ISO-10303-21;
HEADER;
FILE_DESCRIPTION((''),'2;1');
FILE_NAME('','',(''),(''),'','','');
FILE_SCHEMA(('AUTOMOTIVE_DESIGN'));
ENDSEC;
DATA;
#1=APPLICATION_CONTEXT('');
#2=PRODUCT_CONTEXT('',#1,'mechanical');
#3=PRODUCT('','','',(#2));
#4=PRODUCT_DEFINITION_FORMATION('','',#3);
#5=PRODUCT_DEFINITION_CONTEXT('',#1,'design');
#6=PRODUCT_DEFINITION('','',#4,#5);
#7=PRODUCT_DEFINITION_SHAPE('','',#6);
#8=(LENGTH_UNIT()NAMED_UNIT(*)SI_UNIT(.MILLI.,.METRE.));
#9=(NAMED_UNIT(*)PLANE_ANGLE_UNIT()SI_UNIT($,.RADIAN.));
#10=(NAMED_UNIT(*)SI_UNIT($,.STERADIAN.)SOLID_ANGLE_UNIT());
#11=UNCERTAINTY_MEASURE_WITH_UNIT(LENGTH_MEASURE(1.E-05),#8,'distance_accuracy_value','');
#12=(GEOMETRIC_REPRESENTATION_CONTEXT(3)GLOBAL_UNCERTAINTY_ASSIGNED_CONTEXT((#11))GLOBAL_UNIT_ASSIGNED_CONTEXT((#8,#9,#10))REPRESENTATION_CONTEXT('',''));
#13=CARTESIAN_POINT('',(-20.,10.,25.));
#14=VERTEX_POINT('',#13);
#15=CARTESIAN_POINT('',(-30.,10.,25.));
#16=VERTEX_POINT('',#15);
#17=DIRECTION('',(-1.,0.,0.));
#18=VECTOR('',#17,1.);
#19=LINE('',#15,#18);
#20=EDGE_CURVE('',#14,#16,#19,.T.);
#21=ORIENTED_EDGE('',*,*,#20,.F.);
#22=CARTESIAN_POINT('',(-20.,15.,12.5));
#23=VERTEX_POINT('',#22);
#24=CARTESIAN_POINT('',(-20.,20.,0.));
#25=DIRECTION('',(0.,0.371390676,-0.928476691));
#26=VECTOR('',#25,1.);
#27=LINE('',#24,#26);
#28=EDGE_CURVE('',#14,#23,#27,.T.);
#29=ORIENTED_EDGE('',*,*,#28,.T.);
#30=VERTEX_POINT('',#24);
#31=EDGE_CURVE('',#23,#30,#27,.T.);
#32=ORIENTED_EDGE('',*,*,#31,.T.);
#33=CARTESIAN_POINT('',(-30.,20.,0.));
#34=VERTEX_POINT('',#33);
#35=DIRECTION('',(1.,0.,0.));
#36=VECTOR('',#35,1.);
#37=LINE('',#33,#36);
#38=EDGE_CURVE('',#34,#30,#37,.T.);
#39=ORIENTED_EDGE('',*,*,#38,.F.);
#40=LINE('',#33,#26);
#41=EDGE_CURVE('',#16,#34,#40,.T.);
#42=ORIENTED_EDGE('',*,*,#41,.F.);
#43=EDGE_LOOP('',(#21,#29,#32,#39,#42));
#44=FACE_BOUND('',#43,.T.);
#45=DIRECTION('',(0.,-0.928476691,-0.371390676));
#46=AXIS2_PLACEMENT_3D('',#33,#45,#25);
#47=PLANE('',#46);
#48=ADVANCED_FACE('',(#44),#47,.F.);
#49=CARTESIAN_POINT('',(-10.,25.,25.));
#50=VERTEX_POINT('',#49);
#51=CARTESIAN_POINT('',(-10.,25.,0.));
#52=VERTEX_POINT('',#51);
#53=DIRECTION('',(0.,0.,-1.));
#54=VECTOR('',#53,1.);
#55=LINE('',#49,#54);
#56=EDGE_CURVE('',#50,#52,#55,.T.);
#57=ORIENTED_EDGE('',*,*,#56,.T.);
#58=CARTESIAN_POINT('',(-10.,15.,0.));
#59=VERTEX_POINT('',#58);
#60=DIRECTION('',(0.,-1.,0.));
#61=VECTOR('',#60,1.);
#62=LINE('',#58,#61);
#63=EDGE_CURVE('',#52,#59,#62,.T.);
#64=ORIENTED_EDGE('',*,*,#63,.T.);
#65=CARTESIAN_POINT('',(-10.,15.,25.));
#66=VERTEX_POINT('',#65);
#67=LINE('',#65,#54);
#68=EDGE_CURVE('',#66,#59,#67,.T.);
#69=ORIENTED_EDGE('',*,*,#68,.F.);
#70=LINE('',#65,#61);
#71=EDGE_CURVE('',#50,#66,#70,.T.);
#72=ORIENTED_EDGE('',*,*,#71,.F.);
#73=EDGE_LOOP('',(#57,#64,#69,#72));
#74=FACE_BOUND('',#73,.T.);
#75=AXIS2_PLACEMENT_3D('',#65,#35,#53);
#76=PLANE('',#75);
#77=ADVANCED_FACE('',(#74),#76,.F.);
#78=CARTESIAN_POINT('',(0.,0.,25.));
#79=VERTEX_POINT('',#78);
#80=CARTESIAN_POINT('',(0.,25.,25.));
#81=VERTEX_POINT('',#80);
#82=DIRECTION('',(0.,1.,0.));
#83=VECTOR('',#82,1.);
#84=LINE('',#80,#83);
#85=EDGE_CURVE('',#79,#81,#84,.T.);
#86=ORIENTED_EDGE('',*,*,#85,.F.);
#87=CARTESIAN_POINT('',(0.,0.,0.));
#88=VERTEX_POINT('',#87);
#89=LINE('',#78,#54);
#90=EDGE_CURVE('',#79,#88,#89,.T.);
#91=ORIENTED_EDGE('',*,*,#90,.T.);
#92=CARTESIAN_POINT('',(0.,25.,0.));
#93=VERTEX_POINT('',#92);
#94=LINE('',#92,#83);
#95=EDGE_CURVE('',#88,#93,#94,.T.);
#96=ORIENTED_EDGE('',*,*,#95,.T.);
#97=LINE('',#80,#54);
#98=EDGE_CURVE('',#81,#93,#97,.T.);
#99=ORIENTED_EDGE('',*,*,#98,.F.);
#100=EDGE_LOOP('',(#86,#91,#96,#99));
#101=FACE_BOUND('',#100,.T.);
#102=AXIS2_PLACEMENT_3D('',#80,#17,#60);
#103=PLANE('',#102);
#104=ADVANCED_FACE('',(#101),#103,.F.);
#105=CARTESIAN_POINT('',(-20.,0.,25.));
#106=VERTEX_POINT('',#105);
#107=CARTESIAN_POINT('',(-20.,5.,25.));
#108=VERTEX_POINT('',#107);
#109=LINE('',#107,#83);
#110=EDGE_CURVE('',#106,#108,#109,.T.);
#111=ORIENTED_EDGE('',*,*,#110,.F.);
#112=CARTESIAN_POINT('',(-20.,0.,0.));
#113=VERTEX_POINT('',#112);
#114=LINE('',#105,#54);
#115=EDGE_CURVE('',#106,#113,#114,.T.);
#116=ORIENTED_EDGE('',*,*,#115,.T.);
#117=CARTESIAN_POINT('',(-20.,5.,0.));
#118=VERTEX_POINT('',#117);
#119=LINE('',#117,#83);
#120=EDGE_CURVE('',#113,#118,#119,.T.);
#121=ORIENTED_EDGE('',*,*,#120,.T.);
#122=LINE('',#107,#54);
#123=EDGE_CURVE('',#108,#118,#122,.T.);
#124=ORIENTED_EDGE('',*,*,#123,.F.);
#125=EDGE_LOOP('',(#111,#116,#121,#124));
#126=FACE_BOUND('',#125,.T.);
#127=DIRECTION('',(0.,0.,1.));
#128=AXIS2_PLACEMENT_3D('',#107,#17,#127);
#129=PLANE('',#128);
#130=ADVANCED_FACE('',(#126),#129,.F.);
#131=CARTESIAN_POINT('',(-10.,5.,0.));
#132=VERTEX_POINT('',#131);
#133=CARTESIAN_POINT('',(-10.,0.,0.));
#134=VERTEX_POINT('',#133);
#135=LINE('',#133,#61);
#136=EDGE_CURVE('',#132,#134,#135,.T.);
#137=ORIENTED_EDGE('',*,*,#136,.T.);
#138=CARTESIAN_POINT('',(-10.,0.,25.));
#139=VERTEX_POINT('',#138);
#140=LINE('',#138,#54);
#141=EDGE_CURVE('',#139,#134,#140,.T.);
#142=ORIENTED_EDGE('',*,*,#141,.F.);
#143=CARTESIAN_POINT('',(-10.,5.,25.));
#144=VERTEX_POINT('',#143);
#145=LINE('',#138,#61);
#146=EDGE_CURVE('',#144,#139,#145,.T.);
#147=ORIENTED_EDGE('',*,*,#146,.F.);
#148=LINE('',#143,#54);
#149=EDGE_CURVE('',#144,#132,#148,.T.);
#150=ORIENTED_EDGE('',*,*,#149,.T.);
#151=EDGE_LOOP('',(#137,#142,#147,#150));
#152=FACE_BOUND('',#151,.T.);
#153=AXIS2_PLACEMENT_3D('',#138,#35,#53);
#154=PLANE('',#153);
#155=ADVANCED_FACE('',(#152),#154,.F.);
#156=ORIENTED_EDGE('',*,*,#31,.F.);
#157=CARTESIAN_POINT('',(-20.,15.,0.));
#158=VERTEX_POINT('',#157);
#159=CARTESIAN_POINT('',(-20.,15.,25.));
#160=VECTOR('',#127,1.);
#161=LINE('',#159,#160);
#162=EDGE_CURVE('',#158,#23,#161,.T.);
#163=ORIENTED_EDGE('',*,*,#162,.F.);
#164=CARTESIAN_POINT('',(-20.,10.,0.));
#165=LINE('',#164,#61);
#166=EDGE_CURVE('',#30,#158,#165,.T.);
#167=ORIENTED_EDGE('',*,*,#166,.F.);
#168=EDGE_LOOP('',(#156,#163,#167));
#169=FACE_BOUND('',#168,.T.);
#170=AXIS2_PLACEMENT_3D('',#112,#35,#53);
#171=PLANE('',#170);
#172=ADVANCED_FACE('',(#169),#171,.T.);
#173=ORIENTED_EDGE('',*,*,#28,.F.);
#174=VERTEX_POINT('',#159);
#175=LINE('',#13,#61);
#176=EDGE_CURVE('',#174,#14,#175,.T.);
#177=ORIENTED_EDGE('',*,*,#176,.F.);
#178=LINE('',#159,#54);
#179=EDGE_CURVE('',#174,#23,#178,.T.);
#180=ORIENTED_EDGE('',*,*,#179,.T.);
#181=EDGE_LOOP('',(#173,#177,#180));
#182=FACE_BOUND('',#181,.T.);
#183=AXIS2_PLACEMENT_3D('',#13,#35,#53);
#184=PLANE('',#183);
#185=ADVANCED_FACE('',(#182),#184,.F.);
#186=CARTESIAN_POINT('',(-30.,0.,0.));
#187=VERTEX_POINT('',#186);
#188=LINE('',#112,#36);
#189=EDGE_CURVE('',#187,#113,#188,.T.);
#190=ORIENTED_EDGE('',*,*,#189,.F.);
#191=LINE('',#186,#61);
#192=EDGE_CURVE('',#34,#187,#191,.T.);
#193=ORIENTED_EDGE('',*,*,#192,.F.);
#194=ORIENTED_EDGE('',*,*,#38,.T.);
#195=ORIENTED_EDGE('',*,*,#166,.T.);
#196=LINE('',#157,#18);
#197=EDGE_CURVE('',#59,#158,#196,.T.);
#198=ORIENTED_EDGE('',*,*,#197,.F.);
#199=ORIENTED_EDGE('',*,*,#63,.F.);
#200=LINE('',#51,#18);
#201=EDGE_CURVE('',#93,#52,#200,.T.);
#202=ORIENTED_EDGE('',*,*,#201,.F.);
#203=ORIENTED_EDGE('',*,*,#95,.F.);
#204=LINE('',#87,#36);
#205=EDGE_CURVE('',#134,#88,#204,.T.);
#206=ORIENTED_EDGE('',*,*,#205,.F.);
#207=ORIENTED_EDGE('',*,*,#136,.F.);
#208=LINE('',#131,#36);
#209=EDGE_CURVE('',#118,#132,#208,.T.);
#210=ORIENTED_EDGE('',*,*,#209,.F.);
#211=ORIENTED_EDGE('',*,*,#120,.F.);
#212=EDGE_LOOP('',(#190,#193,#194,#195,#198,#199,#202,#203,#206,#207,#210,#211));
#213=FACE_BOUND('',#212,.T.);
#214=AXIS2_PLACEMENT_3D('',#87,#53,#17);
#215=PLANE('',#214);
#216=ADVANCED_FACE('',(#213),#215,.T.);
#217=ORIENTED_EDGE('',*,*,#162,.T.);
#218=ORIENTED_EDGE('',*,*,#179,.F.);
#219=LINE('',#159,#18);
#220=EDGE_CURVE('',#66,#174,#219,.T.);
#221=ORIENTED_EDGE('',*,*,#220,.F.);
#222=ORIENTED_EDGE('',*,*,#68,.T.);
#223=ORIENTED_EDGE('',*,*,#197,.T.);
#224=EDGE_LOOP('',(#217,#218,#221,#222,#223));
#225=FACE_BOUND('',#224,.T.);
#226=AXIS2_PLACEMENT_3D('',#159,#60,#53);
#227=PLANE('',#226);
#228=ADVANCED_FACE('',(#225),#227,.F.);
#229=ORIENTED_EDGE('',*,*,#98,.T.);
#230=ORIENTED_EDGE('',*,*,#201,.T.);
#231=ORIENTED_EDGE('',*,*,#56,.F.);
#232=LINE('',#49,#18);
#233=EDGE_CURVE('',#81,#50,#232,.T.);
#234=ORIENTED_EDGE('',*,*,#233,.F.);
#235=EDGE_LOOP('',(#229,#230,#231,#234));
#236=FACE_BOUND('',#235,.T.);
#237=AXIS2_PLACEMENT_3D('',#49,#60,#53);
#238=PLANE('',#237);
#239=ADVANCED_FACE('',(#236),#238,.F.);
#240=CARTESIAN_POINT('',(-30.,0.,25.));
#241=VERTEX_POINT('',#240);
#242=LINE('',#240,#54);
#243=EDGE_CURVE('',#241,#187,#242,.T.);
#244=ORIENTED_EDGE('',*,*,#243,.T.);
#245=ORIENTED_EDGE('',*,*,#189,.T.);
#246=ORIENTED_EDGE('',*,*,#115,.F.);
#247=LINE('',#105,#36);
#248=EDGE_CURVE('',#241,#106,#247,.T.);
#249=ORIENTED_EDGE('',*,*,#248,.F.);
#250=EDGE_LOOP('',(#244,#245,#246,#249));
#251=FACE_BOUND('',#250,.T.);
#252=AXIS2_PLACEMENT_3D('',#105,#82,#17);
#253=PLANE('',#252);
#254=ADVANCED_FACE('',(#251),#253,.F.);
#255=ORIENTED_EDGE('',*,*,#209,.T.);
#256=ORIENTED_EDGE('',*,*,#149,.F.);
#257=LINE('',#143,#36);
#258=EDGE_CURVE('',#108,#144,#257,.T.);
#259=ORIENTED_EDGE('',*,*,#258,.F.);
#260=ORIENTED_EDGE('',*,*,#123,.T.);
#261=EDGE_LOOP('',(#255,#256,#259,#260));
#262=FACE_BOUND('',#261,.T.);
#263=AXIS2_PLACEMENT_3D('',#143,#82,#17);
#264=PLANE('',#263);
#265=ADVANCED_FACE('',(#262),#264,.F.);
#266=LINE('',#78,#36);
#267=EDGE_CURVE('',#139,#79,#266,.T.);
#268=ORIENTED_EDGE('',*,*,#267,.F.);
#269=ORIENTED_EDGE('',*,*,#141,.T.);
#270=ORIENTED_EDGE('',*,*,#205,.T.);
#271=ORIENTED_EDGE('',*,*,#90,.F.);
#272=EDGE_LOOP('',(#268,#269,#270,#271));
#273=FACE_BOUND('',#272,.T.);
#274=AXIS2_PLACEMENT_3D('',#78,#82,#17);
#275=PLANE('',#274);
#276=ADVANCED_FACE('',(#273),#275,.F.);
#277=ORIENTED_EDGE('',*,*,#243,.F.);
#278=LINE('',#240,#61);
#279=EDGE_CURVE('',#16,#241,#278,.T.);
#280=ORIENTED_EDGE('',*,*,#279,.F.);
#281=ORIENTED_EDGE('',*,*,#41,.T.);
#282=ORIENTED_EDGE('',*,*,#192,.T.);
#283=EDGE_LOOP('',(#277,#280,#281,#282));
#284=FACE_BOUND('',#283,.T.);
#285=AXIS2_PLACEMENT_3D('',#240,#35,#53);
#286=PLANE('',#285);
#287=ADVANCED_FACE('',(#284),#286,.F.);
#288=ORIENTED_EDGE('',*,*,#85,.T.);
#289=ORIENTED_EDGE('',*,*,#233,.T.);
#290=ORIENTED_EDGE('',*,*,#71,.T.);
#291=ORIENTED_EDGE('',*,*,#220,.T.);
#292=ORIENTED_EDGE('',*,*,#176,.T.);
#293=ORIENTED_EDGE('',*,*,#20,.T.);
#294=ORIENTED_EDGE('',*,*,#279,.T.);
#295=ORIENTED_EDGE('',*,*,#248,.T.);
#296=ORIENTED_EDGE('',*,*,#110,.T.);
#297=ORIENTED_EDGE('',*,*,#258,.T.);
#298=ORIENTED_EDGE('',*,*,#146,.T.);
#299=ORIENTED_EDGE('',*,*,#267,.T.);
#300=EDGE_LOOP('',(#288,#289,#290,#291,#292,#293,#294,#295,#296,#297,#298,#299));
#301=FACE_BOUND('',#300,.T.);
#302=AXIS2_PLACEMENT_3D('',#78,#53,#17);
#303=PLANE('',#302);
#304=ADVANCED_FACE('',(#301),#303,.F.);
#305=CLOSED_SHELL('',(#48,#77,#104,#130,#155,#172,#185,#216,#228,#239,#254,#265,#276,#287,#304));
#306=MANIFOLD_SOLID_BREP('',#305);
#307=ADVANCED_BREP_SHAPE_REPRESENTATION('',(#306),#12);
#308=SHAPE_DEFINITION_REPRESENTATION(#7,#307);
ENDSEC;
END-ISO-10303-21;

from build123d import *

# Parameters (mm, degrees)
BOSS_EXTRUDE1_DEPTH = 25
BOSS_EXTRUDE2_DEPTH = 10


with BuildPart() as part:
    # Sketch1 → Boss-Extrude1 (new body)
    with BuildSketch(Plane.XY):
        Polygon((-30, 10), (-20, 10), (-20, 15), (-10, 15), (-10, 25), (0, 25), (0, 0), (-10, 0), (-10, 5), (-20, 5), (-20, 0), (-30, 0), align=None)
    extrude(amount=BOSS_EXTRUDE1_DEPTH)

    # Sketch2 → Boss-Extrude2 (add)
    with BuildSketch(Plane.ZY.offset(20)):
        Polygon((0, 10), (0, 20), (25, 10), align=None)
    extrude(amount=BOSS_EXTRUDE2_DEPTH)


solid = part.part
